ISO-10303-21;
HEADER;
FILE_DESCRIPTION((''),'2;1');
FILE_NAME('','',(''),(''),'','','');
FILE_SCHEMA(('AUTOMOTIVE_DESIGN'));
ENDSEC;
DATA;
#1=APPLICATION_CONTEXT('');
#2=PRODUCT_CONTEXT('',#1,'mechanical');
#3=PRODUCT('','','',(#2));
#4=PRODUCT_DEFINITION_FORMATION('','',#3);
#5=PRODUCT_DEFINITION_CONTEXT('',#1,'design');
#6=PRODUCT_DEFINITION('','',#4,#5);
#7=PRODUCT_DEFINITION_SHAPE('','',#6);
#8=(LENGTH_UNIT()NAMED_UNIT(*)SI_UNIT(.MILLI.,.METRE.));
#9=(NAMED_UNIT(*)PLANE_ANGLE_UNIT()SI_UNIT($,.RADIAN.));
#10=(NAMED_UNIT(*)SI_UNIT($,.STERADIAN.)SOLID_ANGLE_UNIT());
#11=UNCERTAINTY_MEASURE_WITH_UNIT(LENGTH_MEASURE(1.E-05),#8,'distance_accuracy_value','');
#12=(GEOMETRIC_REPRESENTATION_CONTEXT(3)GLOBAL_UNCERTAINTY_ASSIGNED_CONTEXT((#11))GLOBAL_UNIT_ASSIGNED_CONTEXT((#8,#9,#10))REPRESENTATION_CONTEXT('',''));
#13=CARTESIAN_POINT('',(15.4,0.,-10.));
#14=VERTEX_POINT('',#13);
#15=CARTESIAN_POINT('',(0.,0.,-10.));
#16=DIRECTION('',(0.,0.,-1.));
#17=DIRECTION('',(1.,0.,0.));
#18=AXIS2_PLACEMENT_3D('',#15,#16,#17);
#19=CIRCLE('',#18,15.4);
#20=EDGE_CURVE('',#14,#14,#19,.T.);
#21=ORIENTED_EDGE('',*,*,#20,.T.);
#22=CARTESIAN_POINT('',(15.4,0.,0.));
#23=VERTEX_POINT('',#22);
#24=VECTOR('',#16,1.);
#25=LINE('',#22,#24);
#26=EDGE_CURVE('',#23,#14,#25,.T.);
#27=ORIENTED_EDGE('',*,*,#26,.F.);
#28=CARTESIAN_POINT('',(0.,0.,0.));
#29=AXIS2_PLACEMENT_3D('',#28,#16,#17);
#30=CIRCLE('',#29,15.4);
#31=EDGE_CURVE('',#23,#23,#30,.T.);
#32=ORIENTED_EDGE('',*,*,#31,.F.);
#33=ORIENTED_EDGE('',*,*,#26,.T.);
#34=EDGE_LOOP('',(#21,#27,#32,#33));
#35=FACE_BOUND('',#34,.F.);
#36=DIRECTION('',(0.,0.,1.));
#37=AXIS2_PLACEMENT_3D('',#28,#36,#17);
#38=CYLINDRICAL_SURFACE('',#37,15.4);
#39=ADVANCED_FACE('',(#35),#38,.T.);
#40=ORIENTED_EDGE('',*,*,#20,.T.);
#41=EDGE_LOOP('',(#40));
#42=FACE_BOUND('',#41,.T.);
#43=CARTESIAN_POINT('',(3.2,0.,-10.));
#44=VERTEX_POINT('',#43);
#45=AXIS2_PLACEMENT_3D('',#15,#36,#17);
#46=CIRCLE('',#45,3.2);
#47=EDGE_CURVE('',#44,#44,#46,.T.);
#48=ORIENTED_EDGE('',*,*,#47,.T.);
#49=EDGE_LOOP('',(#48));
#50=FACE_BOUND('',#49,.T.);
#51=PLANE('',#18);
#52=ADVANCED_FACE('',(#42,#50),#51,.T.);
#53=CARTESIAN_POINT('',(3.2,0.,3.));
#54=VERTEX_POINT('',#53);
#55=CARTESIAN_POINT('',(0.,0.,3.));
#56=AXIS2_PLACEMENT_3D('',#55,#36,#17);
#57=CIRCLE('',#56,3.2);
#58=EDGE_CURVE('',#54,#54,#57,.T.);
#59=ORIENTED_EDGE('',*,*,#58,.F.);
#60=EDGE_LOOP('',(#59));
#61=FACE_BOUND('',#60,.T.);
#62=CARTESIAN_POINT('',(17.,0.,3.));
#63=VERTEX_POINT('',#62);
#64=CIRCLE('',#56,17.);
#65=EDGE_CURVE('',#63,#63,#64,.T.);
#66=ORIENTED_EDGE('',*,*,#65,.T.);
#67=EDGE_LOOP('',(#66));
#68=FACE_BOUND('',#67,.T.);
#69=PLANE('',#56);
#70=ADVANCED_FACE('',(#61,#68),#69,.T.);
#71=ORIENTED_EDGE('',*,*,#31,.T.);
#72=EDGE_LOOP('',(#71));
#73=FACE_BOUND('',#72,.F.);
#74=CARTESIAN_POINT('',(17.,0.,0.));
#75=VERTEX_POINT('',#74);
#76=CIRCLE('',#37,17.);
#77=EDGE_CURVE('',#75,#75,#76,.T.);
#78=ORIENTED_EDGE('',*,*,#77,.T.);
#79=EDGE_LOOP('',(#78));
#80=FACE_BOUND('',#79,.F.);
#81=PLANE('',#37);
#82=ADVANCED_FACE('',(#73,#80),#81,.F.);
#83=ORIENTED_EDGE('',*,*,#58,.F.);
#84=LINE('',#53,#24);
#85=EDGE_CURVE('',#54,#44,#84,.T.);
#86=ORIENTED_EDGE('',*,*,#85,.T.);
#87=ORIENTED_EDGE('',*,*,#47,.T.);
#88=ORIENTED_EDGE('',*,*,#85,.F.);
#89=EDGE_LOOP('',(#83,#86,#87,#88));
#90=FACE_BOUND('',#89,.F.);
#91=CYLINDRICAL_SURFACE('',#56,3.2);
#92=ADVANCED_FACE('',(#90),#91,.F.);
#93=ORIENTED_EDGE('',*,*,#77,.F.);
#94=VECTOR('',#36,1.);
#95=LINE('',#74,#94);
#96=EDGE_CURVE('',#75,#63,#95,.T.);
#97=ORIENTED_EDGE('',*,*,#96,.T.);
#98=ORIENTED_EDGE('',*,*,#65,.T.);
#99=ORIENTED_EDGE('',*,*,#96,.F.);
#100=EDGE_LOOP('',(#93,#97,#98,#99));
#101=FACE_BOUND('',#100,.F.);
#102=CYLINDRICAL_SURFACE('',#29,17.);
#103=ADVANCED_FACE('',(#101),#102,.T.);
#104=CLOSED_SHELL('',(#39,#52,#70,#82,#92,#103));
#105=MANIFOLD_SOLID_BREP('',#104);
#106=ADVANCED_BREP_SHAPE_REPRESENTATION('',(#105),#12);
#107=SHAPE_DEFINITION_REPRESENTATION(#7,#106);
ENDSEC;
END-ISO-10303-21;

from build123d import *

# Parameters (mm, degrees)
SKETCH_R     = 17
PAD_DEPTH    = 3
SKETCH001_R  = 15.4
PAD001_DEPTH = 10
SKETCH002_R  = 3.2
POCKET_DEPTH = 13.001


with BuildPart() as part:
    # Sketch → Pad (new body)
    with BuildSketch(Plane.XY):
        Circle(SKETCH_R)
    extrude(amount=PAD_DEPTH)

    # Sketch001 (on Face2 of Pad) → Pad001 (join)
    with BuildSketch(Plane(origin=(0, 0, 0), x_dir=(1, 0, 0), z_dir=(0, 0, -1))):
        Circle(SKETCH001_R)
    extrude(amount=PAD001_DEPTH)

    # Sketch002 → Pocket (cut, through all)
    with BuildSketch(Plane.XY.offset(3)):
        Circle(SKETCH002_R)
    extrude(amount=-POCKET_DEPTH, mode=Mode.SUBTRACT)


solid = part.part
